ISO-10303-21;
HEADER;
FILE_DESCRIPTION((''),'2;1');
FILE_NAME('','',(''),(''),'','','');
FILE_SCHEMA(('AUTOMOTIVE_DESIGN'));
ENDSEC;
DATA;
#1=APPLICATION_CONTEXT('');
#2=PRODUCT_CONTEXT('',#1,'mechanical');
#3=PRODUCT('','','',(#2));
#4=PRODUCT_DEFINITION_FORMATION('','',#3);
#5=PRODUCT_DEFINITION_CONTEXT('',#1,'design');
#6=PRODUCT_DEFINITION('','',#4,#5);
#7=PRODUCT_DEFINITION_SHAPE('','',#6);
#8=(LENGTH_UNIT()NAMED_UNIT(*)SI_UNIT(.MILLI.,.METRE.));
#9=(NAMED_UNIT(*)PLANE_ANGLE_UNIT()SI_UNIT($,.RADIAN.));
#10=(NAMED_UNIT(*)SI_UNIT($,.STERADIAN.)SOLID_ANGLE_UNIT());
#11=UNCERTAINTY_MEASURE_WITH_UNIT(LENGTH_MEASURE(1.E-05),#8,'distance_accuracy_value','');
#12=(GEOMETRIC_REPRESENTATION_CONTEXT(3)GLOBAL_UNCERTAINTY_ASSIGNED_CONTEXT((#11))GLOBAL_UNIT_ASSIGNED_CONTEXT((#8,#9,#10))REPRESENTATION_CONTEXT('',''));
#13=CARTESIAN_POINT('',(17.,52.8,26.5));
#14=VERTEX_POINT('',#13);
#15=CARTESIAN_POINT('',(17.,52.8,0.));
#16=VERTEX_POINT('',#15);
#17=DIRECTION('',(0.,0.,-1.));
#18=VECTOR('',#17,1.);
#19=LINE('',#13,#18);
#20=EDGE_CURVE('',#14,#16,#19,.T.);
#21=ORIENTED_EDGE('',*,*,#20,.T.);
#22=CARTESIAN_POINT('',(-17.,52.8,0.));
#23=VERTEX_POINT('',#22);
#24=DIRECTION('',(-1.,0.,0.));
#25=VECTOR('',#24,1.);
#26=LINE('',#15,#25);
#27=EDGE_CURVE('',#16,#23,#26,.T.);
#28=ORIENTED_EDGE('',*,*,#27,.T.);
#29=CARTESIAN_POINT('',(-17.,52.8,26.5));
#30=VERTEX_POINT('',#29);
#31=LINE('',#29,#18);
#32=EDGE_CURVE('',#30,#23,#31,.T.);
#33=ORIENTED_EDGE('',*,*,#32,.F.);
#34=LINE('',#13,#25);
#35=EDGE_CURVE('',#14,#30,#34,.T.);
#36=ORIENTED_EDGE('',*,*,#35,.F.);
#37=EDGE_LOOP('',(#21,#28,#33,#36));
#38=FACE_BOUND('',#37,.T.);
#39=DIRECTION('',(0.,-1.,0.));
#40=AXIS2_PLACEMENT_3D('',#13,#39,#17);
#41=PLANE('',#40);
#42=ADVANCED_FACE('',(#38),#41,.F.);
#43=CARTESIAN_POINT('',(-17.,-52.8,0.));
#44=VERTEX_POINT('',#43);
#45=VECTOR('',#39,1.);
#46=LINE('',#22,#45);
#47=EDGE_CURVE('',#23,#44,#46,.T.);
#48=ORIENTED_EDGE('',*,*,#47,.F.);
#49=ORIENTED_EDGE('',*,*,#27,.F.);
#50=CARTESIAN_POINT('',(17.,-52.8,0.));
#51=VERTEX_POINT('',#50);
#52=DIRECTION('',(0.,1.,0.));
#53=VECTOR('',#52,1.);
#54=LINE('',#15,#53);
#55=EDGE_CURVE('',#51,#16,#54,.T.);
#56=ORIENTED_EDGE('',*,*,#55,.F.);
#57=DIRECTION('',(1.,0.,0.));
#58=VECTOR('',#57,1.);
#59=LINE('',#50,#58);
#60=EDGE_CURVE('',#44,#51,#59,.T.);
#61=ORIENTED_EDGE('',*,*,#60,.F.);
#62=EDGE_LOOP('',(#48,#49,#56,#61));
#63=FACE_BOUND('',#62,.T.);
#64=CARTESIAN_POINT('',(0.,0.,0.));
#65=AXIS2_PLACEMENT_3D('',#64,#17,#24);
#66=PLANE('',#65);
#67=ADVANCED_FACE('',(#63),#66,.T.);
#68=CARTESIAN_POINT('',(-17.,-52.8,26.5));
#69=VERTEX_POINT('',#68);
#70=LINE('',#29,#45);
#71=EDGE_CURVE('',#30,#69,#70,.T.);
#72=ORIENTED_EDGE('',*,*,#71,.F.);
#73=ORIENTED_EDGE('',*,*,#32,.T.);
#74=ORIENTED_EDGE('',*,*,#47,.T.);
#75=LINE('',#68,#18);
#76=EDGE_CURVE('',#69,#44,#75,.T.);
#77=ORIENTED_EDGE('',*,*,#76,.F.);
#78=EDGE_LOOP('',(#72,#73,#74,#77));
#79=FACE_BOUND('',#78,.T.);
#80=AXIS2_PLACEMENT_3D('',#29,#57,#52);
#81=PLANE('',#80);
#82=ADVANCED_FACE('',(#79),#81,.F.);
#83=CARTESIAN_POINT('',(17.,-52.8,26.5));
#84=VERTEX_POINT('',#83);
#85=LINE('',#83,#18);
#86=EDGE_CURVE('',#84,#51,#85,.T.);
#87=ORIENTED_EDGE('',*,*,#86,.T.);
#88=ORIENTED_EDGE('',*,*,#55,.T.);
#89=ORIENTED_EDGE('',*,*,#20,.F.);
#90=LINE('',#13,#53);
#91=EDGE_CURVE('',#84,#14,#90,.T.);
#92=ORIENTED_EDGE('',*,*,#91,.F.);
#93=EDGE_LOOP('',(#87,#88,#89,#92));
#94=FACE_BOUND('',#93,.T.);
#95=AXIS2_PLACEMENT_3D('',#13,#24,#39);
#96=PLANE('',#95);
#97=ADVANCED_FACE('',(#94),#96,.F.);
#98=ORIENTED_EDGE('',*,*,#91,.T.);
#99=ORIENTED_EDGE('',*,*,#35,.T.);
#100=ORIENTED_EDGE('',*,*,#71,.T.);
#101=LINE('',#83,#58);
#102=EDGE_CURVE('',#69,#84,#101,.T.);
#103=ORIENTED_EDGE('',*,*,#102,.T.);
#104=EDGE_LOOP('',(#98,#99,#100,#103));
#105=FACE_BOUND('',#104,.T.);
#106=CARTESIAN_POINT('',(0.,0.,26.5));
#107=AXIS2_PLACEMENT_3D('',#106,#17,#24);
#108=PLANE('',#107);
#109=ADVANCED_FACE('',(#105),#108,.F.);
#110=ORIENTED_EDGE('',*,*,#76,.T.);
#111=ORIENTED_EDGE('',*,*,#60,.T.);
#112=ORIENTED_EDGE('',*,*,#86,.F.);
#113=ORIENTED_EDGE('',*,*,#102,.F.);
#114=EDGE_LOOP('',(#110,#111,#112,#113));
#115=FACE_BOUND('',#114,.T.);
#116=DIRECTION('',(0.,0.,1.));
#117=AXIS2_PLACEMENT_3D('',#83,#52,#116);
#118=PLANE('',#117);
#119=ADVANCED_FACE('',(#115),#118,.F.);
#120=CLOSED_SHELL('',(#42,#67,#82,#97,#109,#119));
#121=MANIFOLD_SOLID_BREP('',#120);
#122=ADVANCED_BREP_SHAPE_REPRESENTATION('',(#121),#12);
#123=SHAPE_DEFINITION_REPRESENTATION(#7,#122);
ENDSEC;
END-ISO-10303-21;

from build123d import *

# Parameters (mm, degrees)
ESBO_O1_W                = 34
ESBO_O1_H                = 105.6
RESSALTO_EXTRUS_O1_DEPTH = 26.5


with BuildPart() as part:
    # Esboço1 → Ressalto-extrusão1 (new body)
    with BuildSketch(Plane.XY):
        Rectangle(ESBO_O1_W, ESBO_O1_H)
    extrude(amount=RESSALTO_EXTRUS_O1_DEPTH)


solid = part.part
